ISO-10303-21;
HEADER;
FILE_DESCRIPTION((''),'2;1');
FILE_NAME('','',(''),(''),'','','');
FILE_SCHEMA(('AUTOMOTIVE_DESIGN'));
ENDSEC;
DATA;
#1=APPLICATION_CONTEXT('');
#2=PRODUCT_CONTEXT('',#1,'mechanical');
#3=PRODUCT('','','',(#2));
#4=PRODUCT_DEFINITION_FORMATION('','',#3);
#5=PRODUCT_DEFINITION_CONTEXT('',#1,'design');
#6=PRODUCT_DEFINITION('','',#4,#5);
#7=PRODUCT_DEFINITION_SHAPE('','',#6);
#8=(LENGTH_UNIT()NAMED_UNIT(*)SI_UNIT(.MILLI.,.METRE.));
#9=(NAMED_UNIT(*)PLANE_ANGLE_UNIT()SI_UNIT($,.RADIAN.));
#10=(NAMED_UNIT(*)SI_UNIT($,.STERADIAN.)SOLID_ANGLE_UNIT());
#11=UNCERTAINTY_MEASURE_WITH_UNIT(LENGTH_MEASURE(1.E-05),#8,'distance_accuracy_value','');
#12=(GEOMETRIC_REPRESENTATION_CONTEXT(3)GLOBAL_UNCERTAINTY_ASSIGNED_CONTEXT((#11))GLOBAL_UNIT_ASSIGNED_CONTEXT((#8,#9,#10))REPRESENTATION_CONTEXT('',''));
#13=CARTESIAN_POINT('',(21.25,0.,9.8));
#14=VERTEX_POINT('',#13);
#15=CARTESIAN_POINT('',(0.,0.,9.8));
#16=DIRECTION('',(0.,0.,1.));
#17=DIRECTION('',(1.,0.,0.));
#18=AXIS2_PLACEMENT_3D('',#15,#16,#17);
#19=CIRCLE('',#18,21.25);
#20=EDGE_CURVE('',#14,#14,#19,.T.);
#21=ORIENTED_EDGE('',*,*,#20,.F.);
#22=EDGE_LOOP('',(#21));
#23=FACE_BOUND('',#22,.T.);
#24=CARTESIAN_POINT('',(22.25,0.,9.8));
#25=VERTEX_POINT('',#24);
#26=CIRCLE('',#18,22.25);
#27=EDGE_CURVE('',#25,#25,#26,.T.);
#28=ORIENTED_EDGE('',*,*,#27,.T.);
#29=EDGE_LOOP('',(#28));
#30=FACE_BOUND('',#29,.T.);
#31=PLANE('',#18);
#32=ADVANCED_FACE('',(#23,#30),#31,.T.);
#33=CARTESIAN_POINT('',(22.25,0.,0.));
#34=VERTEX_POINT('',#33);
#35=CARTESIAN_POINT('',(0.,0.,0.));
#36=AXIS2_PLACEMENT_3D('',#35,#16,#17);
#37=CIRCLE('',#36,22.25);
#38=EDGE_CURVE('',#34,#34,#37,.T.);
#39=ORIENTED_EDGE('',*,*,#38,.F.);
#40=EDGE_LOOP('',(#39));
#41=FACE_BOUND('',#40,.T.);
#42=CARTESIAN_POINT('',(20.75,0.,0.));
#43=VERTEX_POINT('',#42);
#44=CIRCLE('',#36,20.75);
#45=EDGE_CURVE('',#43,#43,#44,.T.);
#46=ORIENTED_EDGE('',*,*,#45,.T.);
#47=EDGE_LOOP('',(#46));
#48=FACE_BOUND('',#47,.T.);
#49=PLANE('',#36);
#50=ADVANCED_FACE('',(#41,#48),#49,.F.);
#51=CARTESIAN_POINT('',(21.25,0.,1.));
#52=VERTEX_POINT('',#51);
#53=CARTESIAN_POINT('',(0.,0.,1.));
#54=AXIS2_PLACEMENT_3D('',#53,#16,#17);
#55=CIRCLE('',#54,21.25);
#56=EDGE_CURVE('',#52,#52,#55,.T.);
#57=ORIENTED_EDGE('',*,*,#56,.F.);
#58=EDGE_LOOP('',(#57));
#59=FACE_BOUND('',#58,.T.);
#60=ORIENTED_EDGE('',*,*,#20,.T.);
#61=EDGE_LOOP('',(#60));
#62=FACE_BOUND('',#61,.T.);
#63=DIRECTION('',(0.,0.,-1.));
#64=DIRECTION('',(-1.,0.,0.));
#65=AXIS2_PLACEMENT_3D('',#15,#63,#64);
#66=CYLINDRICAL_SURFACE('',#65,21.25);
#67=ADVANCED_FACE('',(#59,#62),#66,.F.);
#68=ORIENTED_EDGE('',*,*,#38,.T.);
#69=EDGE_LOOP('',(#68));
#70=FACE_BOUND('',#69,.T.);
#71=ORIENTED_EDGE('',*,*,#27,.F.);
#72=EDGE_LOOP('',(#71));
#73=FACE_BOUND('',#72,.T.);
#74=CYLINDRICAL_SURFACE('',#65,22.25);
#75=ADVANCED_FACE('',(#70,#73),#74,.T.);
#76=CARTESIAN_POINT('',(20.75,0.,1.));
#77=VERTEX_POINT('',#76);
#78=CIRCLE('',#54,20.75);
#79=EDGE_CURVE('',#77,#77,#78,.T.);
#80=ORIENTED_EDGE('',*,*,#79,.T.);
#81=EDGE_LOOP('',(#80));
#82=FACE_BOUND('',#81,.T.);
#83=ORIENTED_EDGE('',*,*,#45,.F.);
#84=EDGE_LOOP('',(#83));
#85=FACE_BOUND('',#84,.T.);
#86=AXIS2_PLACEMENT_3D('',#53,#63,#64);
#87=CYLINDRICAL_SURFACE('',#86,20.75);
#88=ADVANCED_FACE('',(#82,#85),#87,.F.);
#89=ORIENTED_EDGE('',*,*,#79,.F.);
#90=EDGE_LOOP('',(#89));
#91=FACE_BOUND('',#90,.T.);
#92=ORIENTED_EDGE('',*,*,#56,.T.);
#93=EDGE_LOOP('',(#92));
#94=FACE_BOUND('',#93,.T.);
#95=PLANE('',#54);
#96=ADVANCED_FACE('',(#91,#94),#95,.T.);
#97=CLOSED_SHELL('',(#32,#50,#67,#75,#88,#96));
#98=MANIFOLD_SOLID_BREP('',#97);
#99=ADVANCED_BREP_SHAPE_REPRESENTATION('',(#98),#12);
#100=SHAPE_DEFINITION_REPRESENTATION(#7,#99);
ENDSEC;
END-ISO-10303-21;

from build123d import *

# Parameters (mm, degrees)
SKETCH1_R           = 22.25
SKETCH1_R_2         = 21.25
BOSS_EXTRUDE1_DEPTH = 9.8
SKETCH1_3_R         = 21.25
SKETCH1_3_R_2       = 20.75
BOSS_EXTRUDE2_DEPTH = 1


with BuildPart() as part:
    # Sketch1 → Boss-Extrude1 (new body)
    with BuildSketch(Plane.XY):
        Circle(SKETCH1_R)
        Circle(SKETCH1_R_2, mode=Mode.SUBTRACT)
    extrude(amount=BOSS_EXTRUDE1_DEPTH)

    # Sketch1<3> → Boss-Extrude2 (add)
    with BuildSketch(Plane.XY):
        Circle(SKETCH1_3_R)
        Circle(SKETCH1_3_R_2, mode=Mode.SUBTRACT)
    extrude(amount=BOSS_EXTRUDE2_DEPTH)


solid = part.part
